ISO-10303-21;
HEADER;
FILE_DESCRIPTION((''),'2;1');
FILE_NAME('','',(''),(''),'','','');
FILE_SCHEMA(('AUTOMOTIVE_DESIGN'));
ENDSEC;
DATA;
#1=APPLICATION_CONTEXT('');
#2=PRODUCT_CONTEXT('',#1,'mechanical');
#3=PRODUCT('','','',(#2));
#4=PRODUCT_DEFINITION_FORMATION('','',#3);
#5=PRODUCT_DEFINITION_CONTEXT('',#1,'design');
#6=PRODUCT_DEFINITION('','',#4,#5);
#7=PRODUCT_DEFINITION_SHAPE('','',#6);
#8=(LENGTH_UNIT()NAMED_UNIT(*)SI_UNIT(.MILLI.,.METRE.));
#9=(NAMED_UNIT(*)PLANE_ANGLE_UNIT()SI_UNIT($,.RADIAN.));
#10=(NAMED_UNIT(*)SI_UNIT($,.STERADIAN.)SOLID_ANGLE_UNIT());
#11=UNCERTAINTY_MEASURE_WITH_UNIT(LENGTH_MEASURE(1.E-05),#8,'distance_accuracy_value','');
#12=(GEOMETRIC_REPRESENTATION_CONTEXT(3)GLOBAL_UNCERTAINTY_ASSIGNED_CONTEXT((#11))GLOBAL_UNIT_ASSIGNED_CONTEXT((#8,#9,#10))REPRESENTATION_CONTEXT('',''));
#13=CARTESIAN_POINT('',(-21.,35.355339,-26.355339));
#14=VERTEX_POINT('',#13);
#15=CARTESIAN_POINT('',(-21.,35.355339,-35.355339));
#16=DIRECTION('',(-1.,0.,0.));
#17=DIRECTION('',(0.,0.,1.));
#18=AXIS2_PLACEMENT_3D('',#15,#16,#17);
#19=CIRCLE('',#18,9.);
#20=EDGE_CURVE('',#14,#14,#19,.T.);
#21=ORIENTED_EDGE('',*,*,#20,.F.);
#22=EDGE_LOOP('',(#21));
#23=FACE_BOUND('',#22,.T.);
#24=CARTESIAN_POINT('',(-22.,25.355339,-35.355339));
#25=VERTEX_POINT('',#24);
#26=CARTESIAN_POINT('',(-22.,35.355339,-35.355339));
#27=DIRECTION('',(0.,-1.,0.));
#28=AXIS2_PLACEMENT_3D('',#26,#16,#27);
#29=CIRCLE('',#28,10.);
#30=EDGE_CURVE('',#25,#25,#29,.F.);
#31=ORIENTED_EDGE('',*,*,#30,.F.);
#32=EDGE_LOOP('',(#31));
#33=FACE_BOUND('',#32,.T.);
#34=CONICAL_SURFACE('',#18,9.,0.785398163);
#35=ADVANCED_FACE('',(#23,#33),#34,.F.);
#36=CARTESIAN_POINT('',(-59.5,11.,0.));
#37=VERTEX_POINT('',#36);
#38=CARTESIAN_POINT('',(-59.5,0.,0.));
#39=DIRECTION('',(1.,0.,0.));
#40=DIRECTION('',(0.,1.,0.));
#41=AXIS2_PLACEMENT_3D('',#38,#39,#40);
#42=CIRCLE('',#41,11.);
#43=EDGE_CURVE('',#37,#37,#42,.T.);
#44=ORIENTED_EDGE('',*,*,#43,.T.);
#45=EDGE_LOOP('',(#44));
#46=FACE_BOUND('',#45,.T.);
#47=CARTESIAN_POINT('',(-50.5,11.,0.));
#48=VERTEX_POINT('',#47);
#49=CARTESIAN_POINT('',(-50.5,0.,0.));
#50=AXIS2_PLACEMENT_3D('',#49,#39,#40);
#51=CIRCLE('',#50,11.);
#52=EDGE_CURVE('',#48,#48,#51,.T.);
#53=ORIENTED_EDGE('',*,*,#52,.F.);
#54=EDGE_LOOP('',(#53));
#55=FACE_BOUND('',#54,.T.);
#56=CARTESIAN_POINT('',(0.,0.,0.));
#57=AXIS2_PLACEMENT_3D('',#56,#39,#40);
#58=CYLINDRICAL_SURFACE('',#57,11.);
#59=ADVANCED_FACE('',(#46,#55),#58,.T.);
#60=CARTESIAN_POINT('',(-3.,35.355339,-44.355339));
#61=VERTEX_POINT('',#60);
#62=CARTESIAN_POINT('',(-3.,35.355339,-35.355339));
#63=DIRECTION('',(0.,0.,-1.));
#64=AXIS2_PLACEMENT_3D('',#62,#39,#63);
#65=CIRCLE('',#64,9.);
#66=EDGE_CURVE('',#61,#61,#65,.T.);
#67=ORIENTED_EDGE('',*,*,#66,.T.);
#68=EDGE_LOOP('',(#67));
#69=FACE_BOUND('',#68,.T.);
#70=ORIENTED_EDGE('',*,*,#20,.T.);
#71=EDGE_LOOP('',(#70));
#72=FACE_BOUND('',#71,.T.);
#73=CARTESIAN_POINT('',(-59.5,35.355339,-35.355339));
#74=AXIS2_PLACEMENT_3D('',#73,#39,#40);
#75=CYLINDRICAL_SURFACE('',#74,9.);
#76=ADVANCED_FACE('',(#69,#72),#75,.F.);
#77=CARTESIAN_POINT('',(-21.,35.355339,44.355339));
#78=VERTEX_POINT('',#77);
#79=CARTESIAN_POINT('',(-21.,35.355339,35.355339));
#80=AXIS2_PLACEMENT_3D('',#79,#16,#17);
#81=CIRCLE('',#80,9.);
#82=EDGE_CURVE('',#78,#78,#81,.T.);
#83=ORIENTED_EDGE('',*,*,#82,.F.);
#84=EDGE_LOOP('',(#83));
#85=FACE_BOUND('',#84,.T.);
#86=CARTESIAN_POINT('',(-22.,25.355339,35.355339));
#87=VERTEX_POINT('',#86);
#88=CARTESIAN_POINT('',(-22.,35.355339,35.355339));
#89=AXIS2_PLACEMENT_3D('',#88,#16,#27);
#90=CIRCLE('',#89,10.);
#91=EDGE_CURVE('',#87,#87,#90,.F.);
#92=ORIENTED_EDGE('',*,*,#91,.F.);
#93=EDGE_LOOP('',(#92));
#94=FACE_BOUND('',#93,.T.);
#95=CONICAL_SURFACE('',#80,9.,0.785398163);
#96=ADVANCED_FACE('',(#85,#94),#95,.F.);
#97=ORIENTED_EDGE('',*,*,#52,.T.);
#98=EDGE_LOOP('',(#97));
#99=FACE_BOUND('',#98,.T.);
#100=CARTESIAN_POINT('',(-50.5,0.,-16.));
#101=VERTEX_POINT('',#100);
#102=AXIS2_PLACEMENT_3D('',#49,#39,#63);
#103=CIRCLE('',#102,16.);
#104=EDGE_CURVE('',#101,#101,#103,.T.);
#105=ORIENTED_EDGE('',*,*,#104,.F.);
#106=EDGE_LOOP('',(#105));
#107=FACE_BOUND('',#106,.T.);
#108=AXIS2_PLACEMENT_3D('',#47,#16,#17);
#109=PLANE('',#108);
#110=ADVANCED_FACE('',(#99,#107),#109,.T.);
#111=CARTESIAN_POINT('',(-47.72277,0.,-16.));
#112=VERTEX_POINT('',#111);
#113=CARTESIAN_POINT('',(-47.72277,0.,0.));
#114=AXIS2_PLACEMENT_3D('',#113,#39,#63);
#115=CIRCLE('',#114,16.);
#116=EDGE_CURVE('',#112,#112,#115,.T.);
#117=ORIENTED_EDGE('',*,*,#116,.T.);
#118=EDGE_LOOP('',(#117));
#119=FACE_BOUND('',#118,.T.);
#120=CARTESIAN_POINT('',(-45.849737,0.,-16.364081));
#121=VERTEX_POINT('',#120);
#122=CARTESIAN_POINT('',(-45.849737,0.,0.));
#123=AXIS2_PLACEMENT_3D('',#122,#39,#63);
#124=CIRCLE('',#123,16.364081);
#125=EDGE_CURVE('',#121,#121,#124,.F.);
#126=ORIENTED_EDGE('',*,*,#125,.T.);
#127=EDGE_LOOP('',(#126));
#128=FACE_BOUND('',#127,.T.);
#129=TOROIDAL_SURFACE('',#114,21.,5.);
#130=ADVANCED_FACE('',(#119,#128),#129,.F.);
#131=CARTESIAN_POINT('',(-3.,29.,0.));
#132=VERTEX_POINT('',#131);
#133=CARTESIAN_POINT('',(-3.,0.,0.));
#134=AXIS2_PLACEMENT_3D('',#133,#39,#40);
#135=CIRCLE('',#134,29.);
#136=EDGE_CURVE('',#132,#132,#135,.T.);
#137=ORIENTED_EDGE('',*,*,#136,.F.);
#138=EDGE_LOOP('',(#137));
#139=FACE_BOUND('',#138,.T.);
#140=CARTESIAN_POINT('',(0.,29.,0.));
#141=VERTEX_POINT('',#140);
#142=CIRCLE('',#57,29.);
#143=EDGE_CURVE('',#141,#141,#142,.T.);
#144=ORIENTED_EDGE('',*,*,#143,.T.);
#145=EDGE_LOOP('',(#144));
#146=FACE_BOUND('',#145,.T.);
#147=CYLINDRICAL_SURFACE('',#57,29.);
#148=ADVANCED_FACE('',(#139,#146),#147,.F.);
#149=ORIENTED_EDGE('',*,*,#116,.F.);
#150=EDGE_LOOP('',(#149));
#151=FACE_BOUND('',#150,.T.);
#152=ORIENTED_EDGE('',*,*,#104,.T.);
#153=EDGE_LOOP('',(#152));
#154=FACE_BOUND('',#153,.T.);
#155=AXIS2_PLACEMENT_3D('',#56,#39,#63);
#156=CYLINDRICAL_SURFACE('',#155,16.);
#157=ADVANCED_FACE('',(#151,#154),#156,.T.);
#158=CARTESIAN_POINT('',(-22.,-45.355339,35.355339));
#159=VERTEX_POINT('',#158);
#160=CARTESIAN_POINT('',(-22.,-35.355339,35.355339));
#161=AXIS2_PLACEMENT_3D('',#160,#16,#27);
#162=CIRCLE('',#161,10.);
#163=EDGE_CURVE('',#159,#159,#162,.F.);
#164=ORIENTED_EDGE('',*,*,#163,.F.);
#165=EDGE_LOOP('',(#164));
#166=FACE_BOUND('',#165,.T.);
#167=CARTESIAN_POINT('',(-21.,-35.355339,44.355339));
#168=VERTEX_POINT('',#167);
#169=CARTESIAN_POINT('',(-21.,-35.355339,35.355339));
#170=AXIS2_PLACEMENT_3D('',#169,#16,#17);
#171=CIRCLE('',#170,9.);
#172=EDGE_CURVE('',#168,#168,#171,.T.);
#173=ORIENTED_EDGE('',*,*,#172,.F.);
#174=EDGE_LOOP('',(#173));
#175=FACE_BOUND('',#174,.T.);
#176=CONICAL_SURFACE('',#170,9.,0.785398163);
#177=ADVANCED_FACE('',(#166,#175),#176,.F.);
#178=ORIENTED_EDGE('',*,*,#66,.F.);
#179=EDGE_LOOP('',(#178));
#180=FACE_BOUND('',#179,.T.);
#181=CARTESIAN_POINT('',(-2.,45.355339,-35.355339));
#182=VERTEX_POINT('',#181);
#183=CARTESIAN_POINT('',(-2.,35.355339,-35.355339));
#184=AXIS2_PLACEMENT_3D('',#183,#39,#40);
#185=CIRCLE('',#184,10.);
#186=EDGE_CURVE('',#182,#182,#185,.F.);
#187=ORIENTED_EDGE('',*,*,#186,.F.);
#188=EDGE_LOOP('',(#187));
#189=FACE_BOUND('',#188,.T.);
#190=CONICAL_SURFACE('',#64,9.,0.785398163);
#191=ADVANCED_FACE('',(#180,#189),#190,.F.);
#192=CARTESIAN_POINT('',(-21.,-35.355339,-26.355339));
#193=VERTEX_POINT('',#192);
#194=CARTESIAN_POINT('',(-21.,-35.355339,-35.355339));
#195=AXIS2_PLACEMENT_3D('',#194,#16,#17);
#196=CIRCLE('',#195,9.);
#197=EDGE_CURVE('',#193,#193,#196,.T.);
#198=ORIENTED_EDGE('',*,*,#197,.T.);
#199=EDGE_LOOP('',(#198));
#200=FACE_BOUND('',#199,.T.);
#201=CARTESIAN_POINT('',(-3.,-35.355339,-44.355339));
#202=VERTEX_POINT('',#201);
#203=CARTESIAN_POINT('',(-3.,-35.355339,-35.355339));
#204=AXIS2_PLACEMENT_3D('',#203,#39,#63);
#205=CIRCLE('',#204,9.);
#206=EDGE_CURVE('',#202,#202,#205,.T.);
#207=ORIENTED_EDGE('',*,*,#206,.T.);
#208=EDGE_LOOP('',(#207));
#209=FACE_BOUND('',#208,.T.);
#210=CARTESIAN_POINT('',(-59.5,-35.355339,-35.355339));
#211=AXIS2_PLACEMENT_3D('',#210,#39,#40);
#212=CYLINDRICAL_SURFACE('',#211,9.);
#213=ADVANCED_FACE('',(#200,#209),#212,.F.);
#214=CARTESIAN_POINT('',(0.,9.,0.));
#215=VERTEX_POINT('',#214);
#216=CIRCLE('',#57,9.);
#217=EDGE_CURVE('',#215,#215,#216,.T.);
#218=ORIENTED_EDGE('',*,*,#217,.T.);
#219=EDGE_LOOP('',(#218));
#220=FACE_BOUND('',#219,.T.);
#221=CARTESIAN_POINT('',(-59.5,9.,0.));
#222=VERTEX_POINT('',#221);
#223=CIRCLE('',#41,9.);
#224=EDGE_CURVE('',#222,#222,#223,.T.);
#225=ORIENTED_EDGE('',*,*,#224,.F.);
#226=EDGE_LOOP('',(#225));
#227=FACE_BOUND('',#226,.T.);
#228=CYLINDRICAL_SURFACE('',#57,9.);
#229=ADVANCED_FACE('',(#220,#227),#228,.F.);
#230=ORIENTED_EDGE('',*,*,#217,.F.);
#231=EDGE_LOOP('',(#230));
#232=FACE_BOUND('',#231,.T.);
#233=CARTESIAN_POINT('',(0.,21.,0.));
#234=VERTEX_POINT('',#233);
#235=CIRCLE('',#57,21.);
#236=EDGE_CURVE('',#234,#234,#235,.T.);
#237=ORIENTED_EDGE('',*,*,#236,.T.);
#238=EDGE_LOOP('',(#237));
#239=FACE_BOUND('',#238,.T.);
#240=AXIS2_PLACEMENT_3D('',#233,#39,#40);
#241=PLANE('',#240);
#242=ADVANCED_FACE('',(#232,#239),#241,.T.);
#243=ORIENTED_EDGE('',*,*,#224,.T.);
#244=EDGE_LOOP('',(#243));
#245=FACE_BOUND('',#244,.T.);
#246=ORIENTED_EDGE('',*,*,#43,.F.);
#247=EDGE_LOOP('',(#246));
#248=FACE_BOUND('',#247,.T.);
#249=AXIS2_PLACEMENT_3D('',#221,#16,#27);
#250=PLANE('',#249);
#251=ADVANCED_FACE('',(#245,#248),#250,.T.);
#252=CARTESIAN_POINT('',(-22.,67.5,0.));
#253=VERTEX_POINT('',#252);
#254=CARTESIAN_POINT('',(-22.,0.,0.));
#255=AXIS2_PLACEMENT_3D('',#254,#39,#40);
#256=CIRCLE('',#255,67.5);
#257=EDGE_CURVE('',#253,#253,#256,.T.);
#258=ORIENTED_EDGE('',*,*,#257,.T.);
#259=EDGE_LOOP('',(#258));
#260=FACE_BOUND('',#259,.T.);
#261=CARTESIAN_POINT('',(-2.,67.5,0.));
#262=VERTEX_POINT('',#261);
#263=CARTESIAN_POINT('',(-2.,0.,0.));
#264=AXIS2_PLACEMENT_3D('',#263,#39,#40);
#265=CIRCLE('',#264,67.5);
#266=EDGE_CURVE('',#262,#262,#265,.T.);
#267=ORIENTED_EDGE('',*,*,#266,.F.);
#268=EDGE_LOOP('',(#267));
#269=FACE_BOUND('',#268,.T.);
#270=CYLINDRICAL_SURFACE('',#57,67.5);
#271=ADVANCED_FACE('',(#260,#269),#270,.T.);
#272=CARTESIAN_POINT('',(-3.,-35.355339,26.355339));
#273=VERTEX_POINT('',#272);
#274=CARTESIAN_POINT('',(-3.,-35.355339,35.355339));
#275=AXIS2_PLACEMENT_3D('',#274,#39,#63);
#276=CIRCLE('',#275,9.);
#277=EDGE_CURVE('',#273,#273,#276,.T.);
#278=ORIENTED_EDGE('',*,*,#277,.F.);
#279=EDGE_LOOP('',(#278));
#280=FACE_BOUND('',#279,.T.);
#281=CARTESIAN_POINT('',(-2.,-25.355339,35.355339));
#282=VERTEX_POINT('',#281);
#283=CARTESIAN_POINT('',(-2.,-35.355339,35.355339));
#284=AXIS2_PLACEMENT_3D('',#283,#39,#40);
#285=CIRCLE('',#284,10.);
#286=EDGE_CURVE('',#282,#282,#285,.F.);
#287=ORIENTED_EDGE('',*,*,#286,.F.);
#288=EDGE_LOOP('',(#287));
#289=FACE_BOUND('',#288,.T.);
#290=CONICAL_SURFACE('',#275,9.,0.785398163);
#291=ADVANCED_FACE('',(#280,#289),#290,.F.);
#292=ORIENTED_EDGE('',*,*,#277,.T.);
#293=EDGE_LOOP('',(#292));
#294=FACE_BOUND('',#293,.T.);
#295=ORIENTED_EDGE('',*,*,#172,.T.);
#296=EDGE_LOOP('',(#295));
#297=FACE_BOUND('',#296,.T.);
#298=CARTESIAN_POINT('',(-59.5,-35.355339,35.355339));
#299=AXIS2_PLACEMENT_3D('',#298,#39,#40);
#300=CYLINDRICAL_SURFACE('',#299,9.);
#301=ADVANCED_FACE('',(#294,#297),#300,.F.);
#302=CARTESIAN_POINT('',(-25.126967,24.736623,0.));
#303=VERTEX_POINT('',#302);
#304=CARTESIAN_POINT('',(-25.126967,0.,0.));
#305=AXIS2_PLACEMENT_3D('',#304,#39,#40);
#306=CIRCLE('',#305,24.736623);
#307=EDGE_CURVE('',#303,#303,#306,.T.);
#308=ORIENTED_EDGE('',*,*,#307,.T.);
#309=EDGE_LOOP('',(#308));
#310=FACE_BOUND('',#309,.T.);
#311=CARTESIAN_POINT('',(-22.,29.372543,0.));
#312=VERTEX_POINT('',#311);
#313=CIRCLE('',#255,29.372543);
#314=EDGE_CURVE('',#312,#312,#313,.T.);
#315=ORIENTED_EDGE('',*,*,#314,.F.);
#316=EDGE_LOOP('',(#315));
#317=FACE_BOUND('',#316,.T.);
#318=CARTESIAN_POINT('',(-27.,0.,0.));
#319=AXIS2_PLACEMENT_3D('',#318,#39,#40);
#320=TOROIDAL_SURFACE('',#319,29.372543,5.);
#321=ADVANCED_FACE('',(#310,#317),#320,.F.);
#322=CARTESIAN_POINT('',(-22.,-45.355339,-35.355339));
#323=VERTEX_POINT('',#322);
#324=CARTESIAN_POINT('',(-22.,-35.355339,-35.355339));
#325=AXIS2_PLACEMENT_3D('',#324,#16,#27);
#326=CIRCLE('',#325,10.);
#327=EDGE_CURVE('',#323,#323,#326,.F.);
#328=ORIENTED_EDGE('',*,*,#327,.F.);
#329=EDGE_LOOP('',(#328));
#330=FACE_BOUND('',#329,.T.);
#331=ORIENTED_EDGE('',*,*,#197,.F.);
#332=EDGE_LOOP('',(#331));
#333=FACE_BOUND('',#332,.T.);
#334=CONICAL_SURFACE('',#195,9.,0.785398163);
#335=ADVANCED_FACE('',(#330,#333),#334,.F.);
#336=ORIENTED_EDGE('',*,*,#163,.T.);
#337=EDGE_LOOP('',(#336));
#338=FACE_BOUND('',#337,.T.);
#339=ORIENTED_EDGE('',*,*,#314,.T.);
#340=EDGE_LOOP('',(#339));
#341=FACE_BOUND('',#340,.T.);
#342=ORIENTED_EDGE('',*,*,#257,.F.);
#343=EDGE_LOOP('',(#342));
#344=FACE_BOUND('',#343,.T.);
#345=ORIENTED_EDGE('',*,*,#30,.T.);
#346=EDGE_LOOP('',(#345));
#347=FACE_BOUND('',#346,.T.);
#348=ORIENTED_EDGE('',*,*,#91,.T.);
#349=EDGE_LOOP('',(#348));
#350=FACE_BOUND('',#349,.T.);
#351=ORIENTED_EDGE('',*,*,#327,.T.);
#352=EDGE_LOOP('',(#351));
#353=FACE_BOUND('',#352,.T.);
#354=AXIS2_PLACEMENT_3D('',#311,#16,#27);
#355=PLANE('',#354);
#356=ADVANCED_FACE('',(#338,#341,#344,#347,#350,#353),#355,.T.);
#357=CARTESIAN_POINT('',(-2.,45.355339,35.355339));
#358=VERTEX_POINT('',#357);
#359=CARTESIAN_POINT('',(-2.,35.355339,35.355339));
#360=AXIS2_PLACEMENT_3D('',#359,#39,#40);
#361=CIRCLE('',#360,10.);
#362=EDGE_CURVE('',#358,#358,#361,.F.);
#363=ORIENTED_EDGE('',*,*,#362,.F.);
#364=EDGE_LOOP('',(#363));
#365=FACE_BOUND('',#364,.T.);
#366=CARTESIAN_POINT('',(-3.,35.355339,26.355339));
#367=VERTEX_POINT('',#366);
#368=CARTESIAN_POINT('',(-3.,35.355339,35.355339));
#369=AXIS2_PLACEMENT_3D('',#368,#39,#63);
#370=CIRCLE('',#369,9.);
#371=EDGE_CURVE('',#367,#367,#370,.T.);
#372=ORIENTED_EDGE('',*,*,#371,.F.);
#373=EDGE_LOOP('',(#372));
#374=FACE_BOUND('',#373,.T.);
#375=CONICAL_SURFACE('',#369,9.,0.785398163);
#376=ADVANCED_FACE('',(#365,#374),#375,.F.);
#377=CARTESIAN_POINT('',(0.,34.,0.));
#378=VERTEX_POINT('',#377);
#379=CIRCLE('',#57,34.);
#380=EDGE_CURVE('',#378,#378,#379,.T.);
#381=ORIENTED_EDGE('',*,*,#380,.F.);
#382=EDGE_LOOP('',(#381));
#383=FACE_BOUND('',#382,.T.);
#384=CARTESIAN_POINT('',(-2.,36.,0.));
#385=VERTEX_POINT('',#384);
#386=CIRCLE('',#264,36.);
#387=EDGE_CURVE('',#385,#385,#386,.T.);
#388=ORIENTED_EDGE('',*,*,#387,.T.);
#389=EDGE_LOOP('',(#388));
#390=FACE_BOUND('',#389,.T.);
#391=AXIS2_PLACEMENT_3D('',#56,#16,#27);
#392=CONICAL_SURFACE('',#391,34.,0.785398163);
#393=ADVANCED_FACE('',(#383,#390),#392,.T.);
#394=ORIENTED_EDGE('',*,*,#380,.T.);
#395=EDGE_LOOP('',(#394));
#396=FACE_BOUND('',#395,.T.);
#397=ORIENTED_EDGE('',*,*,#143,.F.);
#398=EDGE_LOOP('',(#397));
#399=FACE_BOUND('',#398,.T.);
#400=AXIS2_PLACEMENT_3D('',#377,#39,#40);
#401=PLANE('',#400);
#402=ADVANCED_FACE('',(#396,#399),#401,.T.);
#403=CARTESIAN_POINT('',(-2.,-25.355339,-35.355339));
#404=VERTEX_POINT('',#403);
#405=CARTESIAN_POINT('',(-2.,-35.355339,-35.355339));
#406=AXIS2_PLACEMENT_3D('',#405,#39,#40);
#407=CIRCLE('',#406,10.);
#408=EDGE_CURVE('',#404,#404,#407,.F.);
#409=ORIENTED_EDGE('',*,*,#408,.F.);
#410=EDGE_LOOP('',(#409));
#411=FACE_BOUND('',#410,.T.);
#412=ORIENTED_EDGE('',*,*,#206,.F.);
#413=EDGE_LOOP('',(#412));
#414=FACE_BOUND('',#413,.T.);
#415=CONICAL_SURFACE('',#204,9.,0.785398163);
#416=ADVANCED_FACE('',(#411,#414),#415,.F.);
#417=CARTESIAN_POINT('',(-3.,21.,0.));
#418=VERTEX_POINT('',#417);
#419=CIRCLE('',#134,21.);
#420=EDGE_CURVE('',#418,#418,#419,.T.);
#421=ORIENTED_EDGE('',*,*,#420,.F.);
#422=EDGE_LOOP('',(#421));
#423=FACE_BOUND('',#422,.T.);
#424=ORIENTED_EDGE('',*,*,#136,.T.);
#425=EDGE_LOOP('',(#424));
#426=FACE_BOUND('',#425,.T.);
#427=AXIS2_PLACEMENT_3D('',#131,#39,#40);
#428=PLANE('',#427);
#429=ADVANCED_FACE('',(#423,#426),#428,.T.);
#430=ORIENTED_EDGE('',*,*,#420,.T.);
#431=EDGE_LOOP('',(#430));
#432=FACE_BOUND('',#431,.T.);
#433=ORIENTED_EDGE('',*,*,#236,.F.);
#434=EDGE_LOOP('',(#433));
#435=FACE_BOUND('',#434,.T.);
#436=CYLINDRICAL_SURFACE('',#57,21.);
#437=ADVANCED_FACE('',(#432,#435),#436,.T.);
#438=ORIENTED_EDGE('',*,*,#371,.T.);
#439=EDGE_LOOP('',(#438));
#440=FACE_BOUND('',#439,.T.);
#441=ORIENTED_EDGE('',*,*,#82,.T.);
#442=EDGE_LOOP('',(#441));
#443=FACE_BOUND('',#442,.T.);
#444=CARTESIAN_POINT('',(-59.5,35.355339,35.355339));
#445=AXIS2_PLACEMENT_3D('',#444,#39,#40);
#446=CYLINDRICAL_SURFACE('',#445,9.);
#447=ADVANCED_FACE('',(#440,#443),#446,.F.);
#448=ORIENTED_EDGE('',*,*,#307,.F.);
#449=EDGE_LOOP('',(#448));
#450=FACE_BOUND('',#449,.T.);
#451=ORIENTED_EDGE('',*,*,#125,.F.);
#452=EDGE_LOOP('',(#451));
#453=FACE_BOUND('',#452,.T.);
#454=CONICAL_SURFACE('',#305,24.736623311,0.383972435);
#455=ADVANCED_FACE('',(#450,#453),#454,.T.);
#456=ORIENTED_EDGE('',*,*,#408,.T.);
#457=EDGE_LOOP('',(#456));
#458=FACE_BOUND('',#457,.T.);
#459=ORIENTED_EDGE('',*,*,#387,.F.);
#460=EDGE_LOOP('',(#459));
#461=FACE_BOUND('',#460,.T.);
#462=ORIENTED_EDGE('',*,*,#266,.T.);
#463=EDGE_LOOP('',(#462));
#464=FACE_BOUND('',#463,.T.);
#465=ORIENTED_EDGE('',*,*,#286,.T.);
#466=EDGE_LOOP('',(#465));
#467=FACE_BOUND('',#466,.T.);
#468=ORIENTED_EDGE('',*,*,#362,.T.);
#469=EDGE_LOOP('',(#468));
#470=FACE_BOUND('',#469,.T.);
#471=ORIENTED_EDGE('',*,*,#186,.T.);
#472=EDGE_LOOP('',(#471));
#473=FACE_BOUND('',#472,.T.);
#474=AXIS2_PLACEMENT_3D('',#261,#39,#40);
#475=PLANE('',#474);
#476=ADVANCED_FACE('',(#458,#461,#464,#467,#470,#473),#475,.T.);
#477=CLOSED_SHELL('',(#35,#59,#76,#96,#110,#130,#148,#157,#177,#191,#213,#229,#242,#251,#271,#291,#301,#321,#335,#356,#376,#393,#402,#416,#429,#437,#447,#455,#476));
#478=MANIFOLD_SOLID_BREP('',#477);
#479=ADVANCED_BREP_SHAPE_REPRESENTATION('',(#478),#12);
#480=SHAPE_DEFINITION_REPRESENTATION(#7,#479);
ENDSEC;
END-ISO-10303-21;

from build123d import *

# Parameters (mm, degrees)
SKETCH_3_R                           = 9.000000000000004
CUT_EXTRUDE_1_DEPTH                  = 112.43944544011336
CHAMFER_1_SIZE                       = 1
PATTERN_CIRCULAR_1_COUNT             = 4
CHAMFER_1_OF_PATTERN_CIRCULAR_1_SIZE = 1


with BuildPart() as part:
    # Эскиз1 → Повернуть1 (revolve)
    with BuildSketch(Plane.XY):
        with BuildLine():
            Line((3.06e-15, 9), (-59.50000000000001, 8.999999999999993))
            Line((-59.50000000000001, 8.999999999999993), (-59.50000000000001, 10.999999999999996))
            Line((-59.50000000000001, 10.999999999999996), (-50.5, 10.999999999999995))
            Line((-50.5, 10.999999999999995), (-47.09683777000456, 15.860219355388013))
            Line((-47.09683777000456, 15.860219355388013), (-25.126967032920497, 24.736623311378192))
            ThreePointArc((-25.126967032920497, 24.736623311378192), (-22.85481213722481, 26.576578066858403), (-22.000000000000007, 29.372542584212177))
            Line((-22.000000000000007, 29.372542584212177), (-22.000000000000007, 67.5))
            Line((-22.000000000000007, 67.5), (-2.0000000000000053, 67.5))
            Line((-2.0000000000000053, 67.5), (-2.0000000000000004, 36.00000000000003))
            Line((-2.0000000000000004, 36.00000000000003), (-6.7e-16, 34))
            Line((-6.7e-16, 34), (6.1e-16, 29))
            Line((6.1e-16, 29), (-2.999999999999999, 29))
            Line((-2.999999999999999, 29), (-2.9999999999999982, 21))
            Line((-2.9999999999999982, 21), (1.73e-15, 21))
            Line((1.73e-15, 21), (3.06e-15, 9))
        make_face()
    revolve(axis=Axis((0, 0, 0), (-1, -1.2e-16, 0)))

    # Эскиз2 → Повернуть2 (revolve)
    with BuildSketch(Plane.XY, mode=Mode.PRIVATE) as revolve_2_sk:
        with BuildLine():
            Line((-47.09683777000456, 15.86021935538801), (-50.5, 10.999999999999991))
            Line((-50.5, 10.999999999999991), (-50.5, 15.999999999999993))
            Line((-50.5, 15.999999999999993), (-47.722770079851955, 15.999999999999993))
            ThreePointArc((-47.722770079851955, 15.999999999999993), (-46.76872510296925, 16.09186408276167), (-45.849737112772424, 16.364080727166044))
            Line((-45.849737112772424, 16.364080727166044), (-47.09683777000456, 15.86021935538801))
        make_face()
    revolve(revolve_2_sk.sketch.rotate(Axis((0, 0, 0), (-1, 0, 0)), 90), axis=Axis((0, 0, 0), (-1, 0, 0)))

    # Эскиз3 → Вырез-Вытянуть1 (cut, through all)
    with BuildSketch(Plane(origin=(-1.9999999999999962, -2.4e-16, 0), x_dir=(0, 0, -1), z_dir=(1, 1.2e-16, 0))):
        with Locations(Location((35.35533905932718, 35.35533905932757, 0), (0, 0, 90))):
            Circle(SKETCH_3_R)
    cut_extrude_1 = extrude(amount=-CUT_EXTRUDE_1_DEPTH, mode=Mode.SUBTRACT)

    # Фаска1
    chamfer_1_edges = [part.edges().sort_by_distance(p)[0] for p in [
        (-22.000000000000007, 26.355339059327566, -35.35533905932718),
        (-1.9999999999999996, 26.355339059327566, -35.35533905932718),
    ]]
    chamfer(chamfer_1_edges, length=CHAMFER_1_SIZE)

    # Круговой массив1: Вырез-Вытянуть1 ×4 about axis
    pattern_circular_1_axis = Axis((0, 6.014e-14, 6.245e-14), (1, 0, 0))
    for i in range(1, PATTERN_CIRCULAR_1_COUNT):
        add(cut_extrude_1.rotate(pattern_circular_1_axis, i * 360 / PATTERN_CIRCULAR_1_COUNT), mode=Mode.SUBTRACT)

    # Фаска1 of Круговой массив1
    chamfer_1_of_pattern_circular_1_edges = [part.edges().sort_by_distance(p)[0] for p in [
        (-22.000000000000007, 35.3553390593273, 26.355339059327566),
        (-1.9999999999999996, 35.3553390593273, 26.355339059327566),
        (-22.000000000000007, -26.35533905932744, 35.35533905932731),
        (-1.9999999999999996, -26.35533905932744, 35.35533905932731),
        (-22.000000000000007, -35.355339059327186, -26.355339059327434),
        (-1.9999999999999996, -35.355339059327186, -26.355339059327434),
    ]]
    chamfer(chamfer_1_of_pattern_circular_1_edges, length=CHAMFER_1_OF_PATTERN_CIRCULAR_1_SIZE)


solid = part.part
